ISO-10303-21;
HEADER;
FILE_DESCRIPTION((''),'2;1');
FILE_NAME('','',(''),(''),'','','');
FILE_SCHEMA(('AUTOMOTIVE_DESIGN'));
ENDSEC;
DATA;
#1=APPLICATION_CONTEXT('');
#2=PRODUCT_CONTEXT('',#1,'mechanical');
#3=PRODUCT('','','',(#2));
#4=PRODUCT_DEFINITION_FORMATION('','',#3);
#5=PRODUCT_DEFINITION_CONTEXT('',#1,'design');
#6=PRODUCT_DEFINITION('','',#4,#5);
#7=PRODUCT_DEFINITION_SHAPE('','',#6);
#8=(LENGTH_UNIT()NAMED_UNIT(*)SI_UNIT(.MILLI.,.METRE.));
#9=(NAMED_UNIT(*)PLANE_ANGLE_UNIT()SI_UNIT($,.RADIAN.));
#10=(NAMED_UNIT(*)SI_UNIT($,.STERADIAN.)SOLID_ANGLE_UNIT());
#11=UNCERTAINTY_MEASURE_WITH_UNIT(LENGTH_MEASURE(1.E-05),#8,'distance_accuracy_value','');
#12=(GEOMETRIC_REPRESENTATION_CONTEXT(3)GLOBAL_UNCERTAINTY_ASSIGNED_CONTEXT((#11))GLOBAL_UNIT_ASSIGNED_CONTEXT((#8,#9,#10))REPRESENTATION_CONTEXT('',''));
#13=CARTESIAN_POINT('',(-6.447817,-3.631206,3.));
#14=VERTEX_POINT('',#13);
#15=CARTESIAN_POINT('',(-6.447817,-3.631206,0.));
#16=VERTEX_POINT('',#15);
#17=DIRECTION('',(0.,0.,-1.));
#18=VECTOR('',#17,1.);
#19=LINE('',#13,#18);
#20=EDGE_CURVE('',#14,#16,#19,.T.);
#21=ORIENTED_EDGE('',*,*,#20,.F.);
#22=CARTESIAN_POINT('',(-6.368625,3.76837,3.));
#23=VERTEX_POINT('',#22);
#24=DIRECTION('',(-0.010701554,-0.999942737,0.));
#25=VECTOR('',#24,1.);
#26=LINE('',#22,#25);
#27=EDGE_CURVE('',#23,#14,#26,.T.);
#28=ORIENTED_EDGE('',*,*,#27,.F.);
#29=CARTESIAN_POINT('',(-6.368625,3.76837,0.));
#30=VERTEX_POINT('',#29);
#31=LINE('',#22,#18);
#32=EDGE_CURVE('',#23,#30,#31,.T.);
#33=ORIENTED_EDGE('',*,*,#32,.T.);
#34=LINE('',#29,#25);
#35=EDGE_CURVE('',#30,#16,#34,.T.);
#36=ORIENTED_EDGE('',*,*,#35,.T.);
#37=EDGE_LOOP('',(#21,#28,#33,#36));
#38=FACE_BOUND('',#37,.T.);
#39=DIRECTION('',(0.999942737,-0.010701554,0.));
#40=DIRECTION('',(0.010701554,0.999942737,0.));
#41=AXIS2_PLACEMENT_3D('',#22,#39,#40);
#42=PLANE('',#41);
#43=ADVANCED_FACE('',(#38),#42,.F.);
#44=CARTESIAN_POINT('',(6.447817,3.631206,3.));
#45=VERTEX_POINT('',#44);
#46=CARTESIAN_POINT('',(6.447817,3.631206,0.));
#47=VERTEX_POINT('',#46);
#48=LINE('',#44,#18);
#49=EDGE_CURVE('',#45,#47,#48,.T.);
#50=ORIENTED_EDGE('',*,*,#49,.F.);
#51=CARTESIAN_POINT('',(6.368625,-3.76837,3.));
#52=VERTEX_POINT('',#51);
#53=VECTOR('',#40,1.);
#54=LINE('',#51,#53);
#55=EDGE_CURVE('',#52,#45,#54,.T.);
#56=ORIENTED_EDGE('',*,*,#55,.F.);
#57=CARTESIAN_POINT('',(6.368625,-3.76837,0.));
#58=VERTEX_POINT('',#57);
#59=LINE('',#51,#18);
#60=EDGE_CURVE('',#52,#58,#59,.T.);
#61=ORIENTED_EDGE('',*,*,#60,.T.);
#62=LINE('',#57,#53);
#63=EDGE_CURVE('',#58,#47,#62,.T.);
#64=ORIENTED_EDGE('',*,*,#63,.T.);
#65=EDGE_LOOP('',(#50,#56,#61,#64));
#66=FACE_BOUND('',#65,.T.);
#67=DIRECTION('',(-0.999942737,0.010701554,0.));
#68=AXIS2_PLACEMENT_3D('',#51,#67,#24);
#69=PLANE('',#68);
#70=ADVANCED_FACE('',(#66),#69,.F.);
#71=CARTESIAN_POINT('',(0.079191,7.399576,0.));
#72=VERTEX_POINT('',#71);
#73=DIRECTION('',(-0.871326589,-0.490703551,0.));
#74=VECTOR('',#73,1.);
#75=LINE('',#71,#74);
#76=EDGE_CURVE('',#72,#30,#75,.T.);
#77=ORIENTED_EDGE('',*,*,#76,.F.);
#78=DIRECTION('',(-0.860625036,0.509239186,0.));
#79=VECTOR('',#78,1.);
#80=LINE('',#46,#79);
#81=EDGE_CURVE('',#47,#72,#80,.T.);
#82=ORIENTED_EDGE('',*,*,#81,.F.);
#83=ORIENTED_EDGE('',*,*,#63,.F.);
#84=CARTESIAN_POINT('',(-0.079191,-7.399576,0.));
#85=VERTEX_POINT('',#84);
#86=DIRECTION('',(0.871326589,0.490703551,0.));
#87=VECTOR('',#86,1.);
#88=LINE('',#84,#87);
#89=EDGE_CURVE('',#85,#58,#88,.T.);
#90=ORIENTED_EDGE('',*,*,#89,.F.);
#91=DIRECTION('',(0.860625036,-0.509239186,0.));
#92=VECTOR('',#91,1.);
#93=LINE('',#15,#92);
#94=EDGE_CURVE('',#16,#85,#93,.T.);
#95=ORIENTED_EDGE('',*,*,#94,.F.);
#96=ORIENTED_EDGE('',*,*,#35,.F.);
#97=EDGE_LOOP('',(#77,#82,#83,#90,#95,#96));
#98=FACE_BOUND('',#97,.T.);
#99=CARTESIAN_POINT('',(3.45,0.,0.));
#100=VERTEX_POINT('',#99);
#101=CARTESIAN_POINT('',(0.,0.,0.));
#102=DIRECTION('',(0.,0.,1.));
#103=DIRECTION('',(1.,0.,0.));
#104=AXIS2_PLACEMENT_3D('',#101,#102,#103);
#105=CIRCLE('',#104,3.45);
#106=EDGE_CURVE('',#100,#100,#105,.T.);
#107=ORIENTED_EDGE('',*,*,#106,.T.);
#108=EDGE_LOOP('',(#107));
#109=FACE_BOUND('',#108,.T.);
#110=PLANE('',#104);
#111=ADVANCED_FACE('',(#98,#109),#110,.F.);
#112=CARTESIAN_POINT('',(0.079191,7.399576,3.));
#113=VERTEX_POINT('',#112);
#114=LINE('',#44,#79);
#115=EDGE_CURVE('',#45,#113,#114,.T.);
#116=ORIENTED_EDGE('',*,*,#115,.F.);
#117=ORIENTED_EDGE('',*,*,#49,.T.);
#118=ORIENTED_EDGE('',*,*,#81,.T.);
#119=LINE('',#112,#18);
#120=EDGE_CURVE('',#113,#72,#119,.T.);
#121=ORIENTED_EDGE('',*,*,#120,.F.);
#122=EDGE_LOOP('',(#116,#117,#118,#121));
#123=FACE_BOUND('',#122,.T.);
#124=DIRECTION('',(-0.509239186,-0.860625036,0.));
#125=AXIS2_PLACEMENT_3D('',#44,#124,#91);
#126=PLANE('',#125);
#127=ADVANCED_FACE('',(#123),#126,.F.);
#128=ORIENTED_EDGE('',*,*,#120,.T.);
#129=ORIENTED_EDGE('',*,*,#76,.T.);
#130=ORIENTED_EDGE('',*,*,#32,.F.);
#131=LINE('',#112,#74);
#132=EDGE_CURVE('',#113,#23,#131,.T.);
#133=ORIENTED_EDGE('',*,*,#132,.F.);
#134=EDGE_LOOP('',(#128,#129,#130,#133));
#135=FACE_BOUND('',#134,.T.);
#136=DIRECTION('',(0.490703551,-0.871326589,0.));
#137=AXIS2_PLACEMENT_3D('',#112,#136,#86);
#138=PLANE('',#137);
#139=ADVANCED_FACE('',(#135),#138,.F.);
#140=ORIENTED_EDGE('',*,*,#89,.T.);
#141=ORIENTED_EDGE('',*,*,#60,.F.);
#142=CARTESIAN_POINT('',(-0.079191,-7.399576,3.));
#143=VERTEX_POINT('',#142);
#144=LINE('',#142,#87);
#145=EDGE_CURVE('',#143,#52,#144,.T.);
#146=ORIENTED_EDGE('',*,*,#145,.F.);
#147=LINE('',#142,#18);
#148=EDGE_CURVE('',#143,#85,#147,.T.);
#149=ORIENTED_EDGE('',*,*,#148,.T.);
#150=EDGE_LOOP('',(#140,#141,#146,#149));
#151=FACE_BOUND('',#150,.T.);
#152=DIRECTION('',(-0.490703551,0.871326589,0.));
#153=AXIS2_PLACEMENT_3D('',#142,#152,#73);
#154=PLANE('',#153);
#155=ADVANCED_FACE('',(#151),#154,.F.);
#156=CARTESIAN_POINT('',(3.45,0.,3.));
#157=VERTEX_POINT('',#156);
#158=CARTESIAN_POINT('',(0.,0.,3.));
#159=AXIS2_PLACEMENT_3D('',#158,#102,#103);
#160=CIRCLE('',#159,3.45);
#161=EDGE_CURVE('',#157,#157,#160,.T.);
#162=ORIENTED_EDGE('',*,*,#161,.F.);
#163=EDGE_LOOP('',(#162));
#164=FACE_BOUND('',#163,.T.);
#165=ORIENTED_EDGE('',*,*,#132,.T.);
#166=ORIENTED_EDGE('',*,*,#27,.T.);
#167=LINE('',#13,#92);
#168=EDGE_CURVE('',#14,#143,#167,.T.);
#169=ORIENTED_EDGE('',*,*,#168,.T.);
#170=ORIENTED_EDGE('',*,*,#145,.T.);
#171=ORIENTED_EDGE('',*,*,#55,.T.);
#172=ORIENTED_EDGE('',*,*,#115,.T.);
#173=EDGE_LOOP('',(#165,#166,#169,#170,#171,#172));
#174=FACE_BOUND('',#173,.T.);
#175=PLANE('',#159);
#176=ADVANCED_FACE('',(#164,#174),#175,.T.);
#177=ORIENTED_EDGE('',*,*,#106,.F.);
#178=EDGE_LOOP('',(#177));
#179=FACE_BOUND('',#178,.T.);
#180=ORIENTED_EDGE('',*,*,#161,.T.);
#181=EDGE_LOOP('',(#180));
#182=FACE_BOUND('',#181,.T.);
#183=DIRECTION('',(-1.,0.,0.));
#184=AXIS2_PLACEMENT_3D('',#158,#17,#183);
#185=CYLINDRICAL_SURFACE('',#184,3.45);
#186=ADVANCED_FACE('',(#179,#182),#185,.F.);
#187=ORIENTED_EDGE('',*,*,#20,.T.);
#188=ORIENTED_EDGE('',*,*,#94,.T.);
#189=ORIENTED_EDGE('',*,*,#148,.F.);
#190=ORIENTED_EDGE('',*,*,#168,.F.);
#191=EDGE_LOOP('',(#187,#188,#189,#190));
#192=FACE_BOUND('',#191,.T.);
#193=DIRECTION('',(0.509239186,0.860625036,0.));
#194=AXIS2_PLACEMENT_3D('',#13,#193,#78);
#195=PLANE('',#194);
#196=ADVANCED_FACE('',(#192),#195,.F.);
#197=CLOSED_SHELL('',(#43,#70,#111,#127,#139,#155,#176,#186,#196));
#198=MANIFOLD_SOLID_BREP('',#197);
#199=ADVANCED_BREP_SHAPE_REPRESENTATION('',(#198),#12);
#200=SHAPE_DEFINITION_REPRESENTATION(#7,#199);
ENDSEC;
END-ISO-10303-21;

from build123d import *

# Parameters (mm, degrees)
SKETCH_1_R      = 3.45
EXTRUDE_1_DEPTH = 3


with BuildPart() as part:
    # 草图1 → 凸台-拉伸1 (new body)
    with BuildSketch(Plane.XY):
        Polygon((6.368625263, -3.768369974), (6.44781676, 3.631206278), (0.079191496, 7.399576252), (-6.368625263, 3.768369974), (-6.44781676, -3.631206278), (-0.079191496, -7.399576252), align=None)
        Circle(SKETCH_1_R, mode=Mode.SUBTRACT)
    extrude(amount=EXTRUDE_1_DEPTH)


solid = part.part
